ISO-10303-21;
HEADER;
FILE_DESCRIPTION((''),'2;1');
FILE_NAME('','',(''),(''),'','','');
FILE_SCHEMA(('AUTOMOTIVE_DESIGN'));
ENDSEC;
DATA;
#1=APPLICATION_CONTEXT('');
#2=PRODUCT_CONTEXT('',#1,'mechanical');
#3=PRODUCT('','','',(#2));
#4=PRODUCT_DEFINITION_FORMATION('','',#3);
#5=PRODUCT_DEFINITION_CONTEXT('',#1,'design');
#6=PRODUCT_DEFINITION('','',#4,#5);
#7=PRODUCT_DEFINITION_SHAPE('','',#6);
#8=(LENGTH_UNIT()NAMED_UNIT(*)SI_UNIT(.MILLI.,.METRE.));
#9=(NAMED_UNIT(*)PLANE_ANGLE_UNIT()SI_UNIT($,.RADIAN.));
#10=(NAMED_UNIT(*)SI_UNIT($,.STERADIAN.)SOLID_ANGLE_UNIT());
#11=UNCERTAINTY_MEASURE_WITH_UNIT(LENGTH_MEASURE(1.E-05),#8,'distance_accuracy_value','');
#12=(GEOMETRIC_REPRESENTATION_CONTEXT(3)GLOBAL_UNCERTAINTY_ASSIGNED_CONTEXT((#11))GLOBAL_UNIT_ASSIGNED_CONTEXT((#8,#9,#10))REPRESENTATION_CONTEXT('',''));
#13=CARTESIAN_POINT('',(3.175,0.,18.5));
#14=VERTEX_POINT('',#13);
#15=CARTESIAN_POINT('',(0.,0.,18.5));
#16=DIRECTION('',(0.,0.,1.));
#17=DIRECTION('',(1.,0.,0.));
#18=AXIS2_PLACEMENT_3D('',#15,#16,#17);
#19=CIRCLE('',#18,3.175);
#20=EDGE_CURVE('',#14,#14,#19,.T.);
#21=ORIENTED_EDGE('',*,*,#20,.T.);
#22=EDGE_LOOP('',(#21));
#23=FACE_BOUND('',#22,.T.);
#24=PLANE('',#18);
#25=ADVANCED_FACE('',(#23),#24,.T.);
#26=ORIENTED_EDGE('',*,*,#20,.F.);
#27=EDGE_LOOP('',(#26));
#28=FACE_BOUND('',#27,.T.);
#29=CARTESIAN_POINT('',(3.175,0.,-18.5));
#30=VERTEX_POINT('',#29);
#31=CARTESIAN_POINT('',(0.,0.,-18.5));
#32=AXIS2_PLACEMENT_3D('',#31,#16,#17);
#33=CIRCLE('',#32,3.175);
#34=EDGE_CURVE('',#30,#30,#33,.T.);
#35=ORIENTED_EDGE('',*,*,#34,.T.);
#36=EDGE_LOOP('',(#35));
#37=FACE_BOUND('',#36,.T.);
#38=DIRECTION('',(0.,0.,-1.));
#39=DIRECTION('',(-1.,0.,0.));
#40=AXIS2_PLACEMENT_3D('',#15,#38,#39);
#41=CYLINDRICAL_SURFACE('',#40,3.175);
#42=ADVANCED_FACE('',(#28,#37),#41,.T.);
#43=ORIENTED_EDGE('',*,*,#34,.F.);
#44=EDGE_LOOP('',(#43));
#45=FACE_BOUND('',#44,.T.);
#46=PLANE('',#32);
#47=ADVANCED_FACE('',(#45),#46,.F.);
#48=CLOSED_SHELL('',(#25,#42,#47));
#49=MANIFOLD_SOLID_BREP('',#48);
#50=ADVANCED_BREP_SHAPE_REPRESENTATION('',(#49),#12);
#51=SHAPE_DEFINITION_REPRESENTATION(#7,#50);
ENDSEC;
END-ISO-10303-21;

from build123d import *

# Parameters (mm, degrees)
CROQUIS1_R              = 3.175
SALIENTE_EXTRUIR1_DEPTH = 18.5


with BuildPart() as part:
    # Croquis1 → Saliente-Extruir1 (new, symmetric)
    with BuildSketch(Plane.XY):
        Circle(CROQUIS1_R)
    extrude(amount=SALIENTE_EXTRUIR1_DEPTH, both=True)


solid = part.part
